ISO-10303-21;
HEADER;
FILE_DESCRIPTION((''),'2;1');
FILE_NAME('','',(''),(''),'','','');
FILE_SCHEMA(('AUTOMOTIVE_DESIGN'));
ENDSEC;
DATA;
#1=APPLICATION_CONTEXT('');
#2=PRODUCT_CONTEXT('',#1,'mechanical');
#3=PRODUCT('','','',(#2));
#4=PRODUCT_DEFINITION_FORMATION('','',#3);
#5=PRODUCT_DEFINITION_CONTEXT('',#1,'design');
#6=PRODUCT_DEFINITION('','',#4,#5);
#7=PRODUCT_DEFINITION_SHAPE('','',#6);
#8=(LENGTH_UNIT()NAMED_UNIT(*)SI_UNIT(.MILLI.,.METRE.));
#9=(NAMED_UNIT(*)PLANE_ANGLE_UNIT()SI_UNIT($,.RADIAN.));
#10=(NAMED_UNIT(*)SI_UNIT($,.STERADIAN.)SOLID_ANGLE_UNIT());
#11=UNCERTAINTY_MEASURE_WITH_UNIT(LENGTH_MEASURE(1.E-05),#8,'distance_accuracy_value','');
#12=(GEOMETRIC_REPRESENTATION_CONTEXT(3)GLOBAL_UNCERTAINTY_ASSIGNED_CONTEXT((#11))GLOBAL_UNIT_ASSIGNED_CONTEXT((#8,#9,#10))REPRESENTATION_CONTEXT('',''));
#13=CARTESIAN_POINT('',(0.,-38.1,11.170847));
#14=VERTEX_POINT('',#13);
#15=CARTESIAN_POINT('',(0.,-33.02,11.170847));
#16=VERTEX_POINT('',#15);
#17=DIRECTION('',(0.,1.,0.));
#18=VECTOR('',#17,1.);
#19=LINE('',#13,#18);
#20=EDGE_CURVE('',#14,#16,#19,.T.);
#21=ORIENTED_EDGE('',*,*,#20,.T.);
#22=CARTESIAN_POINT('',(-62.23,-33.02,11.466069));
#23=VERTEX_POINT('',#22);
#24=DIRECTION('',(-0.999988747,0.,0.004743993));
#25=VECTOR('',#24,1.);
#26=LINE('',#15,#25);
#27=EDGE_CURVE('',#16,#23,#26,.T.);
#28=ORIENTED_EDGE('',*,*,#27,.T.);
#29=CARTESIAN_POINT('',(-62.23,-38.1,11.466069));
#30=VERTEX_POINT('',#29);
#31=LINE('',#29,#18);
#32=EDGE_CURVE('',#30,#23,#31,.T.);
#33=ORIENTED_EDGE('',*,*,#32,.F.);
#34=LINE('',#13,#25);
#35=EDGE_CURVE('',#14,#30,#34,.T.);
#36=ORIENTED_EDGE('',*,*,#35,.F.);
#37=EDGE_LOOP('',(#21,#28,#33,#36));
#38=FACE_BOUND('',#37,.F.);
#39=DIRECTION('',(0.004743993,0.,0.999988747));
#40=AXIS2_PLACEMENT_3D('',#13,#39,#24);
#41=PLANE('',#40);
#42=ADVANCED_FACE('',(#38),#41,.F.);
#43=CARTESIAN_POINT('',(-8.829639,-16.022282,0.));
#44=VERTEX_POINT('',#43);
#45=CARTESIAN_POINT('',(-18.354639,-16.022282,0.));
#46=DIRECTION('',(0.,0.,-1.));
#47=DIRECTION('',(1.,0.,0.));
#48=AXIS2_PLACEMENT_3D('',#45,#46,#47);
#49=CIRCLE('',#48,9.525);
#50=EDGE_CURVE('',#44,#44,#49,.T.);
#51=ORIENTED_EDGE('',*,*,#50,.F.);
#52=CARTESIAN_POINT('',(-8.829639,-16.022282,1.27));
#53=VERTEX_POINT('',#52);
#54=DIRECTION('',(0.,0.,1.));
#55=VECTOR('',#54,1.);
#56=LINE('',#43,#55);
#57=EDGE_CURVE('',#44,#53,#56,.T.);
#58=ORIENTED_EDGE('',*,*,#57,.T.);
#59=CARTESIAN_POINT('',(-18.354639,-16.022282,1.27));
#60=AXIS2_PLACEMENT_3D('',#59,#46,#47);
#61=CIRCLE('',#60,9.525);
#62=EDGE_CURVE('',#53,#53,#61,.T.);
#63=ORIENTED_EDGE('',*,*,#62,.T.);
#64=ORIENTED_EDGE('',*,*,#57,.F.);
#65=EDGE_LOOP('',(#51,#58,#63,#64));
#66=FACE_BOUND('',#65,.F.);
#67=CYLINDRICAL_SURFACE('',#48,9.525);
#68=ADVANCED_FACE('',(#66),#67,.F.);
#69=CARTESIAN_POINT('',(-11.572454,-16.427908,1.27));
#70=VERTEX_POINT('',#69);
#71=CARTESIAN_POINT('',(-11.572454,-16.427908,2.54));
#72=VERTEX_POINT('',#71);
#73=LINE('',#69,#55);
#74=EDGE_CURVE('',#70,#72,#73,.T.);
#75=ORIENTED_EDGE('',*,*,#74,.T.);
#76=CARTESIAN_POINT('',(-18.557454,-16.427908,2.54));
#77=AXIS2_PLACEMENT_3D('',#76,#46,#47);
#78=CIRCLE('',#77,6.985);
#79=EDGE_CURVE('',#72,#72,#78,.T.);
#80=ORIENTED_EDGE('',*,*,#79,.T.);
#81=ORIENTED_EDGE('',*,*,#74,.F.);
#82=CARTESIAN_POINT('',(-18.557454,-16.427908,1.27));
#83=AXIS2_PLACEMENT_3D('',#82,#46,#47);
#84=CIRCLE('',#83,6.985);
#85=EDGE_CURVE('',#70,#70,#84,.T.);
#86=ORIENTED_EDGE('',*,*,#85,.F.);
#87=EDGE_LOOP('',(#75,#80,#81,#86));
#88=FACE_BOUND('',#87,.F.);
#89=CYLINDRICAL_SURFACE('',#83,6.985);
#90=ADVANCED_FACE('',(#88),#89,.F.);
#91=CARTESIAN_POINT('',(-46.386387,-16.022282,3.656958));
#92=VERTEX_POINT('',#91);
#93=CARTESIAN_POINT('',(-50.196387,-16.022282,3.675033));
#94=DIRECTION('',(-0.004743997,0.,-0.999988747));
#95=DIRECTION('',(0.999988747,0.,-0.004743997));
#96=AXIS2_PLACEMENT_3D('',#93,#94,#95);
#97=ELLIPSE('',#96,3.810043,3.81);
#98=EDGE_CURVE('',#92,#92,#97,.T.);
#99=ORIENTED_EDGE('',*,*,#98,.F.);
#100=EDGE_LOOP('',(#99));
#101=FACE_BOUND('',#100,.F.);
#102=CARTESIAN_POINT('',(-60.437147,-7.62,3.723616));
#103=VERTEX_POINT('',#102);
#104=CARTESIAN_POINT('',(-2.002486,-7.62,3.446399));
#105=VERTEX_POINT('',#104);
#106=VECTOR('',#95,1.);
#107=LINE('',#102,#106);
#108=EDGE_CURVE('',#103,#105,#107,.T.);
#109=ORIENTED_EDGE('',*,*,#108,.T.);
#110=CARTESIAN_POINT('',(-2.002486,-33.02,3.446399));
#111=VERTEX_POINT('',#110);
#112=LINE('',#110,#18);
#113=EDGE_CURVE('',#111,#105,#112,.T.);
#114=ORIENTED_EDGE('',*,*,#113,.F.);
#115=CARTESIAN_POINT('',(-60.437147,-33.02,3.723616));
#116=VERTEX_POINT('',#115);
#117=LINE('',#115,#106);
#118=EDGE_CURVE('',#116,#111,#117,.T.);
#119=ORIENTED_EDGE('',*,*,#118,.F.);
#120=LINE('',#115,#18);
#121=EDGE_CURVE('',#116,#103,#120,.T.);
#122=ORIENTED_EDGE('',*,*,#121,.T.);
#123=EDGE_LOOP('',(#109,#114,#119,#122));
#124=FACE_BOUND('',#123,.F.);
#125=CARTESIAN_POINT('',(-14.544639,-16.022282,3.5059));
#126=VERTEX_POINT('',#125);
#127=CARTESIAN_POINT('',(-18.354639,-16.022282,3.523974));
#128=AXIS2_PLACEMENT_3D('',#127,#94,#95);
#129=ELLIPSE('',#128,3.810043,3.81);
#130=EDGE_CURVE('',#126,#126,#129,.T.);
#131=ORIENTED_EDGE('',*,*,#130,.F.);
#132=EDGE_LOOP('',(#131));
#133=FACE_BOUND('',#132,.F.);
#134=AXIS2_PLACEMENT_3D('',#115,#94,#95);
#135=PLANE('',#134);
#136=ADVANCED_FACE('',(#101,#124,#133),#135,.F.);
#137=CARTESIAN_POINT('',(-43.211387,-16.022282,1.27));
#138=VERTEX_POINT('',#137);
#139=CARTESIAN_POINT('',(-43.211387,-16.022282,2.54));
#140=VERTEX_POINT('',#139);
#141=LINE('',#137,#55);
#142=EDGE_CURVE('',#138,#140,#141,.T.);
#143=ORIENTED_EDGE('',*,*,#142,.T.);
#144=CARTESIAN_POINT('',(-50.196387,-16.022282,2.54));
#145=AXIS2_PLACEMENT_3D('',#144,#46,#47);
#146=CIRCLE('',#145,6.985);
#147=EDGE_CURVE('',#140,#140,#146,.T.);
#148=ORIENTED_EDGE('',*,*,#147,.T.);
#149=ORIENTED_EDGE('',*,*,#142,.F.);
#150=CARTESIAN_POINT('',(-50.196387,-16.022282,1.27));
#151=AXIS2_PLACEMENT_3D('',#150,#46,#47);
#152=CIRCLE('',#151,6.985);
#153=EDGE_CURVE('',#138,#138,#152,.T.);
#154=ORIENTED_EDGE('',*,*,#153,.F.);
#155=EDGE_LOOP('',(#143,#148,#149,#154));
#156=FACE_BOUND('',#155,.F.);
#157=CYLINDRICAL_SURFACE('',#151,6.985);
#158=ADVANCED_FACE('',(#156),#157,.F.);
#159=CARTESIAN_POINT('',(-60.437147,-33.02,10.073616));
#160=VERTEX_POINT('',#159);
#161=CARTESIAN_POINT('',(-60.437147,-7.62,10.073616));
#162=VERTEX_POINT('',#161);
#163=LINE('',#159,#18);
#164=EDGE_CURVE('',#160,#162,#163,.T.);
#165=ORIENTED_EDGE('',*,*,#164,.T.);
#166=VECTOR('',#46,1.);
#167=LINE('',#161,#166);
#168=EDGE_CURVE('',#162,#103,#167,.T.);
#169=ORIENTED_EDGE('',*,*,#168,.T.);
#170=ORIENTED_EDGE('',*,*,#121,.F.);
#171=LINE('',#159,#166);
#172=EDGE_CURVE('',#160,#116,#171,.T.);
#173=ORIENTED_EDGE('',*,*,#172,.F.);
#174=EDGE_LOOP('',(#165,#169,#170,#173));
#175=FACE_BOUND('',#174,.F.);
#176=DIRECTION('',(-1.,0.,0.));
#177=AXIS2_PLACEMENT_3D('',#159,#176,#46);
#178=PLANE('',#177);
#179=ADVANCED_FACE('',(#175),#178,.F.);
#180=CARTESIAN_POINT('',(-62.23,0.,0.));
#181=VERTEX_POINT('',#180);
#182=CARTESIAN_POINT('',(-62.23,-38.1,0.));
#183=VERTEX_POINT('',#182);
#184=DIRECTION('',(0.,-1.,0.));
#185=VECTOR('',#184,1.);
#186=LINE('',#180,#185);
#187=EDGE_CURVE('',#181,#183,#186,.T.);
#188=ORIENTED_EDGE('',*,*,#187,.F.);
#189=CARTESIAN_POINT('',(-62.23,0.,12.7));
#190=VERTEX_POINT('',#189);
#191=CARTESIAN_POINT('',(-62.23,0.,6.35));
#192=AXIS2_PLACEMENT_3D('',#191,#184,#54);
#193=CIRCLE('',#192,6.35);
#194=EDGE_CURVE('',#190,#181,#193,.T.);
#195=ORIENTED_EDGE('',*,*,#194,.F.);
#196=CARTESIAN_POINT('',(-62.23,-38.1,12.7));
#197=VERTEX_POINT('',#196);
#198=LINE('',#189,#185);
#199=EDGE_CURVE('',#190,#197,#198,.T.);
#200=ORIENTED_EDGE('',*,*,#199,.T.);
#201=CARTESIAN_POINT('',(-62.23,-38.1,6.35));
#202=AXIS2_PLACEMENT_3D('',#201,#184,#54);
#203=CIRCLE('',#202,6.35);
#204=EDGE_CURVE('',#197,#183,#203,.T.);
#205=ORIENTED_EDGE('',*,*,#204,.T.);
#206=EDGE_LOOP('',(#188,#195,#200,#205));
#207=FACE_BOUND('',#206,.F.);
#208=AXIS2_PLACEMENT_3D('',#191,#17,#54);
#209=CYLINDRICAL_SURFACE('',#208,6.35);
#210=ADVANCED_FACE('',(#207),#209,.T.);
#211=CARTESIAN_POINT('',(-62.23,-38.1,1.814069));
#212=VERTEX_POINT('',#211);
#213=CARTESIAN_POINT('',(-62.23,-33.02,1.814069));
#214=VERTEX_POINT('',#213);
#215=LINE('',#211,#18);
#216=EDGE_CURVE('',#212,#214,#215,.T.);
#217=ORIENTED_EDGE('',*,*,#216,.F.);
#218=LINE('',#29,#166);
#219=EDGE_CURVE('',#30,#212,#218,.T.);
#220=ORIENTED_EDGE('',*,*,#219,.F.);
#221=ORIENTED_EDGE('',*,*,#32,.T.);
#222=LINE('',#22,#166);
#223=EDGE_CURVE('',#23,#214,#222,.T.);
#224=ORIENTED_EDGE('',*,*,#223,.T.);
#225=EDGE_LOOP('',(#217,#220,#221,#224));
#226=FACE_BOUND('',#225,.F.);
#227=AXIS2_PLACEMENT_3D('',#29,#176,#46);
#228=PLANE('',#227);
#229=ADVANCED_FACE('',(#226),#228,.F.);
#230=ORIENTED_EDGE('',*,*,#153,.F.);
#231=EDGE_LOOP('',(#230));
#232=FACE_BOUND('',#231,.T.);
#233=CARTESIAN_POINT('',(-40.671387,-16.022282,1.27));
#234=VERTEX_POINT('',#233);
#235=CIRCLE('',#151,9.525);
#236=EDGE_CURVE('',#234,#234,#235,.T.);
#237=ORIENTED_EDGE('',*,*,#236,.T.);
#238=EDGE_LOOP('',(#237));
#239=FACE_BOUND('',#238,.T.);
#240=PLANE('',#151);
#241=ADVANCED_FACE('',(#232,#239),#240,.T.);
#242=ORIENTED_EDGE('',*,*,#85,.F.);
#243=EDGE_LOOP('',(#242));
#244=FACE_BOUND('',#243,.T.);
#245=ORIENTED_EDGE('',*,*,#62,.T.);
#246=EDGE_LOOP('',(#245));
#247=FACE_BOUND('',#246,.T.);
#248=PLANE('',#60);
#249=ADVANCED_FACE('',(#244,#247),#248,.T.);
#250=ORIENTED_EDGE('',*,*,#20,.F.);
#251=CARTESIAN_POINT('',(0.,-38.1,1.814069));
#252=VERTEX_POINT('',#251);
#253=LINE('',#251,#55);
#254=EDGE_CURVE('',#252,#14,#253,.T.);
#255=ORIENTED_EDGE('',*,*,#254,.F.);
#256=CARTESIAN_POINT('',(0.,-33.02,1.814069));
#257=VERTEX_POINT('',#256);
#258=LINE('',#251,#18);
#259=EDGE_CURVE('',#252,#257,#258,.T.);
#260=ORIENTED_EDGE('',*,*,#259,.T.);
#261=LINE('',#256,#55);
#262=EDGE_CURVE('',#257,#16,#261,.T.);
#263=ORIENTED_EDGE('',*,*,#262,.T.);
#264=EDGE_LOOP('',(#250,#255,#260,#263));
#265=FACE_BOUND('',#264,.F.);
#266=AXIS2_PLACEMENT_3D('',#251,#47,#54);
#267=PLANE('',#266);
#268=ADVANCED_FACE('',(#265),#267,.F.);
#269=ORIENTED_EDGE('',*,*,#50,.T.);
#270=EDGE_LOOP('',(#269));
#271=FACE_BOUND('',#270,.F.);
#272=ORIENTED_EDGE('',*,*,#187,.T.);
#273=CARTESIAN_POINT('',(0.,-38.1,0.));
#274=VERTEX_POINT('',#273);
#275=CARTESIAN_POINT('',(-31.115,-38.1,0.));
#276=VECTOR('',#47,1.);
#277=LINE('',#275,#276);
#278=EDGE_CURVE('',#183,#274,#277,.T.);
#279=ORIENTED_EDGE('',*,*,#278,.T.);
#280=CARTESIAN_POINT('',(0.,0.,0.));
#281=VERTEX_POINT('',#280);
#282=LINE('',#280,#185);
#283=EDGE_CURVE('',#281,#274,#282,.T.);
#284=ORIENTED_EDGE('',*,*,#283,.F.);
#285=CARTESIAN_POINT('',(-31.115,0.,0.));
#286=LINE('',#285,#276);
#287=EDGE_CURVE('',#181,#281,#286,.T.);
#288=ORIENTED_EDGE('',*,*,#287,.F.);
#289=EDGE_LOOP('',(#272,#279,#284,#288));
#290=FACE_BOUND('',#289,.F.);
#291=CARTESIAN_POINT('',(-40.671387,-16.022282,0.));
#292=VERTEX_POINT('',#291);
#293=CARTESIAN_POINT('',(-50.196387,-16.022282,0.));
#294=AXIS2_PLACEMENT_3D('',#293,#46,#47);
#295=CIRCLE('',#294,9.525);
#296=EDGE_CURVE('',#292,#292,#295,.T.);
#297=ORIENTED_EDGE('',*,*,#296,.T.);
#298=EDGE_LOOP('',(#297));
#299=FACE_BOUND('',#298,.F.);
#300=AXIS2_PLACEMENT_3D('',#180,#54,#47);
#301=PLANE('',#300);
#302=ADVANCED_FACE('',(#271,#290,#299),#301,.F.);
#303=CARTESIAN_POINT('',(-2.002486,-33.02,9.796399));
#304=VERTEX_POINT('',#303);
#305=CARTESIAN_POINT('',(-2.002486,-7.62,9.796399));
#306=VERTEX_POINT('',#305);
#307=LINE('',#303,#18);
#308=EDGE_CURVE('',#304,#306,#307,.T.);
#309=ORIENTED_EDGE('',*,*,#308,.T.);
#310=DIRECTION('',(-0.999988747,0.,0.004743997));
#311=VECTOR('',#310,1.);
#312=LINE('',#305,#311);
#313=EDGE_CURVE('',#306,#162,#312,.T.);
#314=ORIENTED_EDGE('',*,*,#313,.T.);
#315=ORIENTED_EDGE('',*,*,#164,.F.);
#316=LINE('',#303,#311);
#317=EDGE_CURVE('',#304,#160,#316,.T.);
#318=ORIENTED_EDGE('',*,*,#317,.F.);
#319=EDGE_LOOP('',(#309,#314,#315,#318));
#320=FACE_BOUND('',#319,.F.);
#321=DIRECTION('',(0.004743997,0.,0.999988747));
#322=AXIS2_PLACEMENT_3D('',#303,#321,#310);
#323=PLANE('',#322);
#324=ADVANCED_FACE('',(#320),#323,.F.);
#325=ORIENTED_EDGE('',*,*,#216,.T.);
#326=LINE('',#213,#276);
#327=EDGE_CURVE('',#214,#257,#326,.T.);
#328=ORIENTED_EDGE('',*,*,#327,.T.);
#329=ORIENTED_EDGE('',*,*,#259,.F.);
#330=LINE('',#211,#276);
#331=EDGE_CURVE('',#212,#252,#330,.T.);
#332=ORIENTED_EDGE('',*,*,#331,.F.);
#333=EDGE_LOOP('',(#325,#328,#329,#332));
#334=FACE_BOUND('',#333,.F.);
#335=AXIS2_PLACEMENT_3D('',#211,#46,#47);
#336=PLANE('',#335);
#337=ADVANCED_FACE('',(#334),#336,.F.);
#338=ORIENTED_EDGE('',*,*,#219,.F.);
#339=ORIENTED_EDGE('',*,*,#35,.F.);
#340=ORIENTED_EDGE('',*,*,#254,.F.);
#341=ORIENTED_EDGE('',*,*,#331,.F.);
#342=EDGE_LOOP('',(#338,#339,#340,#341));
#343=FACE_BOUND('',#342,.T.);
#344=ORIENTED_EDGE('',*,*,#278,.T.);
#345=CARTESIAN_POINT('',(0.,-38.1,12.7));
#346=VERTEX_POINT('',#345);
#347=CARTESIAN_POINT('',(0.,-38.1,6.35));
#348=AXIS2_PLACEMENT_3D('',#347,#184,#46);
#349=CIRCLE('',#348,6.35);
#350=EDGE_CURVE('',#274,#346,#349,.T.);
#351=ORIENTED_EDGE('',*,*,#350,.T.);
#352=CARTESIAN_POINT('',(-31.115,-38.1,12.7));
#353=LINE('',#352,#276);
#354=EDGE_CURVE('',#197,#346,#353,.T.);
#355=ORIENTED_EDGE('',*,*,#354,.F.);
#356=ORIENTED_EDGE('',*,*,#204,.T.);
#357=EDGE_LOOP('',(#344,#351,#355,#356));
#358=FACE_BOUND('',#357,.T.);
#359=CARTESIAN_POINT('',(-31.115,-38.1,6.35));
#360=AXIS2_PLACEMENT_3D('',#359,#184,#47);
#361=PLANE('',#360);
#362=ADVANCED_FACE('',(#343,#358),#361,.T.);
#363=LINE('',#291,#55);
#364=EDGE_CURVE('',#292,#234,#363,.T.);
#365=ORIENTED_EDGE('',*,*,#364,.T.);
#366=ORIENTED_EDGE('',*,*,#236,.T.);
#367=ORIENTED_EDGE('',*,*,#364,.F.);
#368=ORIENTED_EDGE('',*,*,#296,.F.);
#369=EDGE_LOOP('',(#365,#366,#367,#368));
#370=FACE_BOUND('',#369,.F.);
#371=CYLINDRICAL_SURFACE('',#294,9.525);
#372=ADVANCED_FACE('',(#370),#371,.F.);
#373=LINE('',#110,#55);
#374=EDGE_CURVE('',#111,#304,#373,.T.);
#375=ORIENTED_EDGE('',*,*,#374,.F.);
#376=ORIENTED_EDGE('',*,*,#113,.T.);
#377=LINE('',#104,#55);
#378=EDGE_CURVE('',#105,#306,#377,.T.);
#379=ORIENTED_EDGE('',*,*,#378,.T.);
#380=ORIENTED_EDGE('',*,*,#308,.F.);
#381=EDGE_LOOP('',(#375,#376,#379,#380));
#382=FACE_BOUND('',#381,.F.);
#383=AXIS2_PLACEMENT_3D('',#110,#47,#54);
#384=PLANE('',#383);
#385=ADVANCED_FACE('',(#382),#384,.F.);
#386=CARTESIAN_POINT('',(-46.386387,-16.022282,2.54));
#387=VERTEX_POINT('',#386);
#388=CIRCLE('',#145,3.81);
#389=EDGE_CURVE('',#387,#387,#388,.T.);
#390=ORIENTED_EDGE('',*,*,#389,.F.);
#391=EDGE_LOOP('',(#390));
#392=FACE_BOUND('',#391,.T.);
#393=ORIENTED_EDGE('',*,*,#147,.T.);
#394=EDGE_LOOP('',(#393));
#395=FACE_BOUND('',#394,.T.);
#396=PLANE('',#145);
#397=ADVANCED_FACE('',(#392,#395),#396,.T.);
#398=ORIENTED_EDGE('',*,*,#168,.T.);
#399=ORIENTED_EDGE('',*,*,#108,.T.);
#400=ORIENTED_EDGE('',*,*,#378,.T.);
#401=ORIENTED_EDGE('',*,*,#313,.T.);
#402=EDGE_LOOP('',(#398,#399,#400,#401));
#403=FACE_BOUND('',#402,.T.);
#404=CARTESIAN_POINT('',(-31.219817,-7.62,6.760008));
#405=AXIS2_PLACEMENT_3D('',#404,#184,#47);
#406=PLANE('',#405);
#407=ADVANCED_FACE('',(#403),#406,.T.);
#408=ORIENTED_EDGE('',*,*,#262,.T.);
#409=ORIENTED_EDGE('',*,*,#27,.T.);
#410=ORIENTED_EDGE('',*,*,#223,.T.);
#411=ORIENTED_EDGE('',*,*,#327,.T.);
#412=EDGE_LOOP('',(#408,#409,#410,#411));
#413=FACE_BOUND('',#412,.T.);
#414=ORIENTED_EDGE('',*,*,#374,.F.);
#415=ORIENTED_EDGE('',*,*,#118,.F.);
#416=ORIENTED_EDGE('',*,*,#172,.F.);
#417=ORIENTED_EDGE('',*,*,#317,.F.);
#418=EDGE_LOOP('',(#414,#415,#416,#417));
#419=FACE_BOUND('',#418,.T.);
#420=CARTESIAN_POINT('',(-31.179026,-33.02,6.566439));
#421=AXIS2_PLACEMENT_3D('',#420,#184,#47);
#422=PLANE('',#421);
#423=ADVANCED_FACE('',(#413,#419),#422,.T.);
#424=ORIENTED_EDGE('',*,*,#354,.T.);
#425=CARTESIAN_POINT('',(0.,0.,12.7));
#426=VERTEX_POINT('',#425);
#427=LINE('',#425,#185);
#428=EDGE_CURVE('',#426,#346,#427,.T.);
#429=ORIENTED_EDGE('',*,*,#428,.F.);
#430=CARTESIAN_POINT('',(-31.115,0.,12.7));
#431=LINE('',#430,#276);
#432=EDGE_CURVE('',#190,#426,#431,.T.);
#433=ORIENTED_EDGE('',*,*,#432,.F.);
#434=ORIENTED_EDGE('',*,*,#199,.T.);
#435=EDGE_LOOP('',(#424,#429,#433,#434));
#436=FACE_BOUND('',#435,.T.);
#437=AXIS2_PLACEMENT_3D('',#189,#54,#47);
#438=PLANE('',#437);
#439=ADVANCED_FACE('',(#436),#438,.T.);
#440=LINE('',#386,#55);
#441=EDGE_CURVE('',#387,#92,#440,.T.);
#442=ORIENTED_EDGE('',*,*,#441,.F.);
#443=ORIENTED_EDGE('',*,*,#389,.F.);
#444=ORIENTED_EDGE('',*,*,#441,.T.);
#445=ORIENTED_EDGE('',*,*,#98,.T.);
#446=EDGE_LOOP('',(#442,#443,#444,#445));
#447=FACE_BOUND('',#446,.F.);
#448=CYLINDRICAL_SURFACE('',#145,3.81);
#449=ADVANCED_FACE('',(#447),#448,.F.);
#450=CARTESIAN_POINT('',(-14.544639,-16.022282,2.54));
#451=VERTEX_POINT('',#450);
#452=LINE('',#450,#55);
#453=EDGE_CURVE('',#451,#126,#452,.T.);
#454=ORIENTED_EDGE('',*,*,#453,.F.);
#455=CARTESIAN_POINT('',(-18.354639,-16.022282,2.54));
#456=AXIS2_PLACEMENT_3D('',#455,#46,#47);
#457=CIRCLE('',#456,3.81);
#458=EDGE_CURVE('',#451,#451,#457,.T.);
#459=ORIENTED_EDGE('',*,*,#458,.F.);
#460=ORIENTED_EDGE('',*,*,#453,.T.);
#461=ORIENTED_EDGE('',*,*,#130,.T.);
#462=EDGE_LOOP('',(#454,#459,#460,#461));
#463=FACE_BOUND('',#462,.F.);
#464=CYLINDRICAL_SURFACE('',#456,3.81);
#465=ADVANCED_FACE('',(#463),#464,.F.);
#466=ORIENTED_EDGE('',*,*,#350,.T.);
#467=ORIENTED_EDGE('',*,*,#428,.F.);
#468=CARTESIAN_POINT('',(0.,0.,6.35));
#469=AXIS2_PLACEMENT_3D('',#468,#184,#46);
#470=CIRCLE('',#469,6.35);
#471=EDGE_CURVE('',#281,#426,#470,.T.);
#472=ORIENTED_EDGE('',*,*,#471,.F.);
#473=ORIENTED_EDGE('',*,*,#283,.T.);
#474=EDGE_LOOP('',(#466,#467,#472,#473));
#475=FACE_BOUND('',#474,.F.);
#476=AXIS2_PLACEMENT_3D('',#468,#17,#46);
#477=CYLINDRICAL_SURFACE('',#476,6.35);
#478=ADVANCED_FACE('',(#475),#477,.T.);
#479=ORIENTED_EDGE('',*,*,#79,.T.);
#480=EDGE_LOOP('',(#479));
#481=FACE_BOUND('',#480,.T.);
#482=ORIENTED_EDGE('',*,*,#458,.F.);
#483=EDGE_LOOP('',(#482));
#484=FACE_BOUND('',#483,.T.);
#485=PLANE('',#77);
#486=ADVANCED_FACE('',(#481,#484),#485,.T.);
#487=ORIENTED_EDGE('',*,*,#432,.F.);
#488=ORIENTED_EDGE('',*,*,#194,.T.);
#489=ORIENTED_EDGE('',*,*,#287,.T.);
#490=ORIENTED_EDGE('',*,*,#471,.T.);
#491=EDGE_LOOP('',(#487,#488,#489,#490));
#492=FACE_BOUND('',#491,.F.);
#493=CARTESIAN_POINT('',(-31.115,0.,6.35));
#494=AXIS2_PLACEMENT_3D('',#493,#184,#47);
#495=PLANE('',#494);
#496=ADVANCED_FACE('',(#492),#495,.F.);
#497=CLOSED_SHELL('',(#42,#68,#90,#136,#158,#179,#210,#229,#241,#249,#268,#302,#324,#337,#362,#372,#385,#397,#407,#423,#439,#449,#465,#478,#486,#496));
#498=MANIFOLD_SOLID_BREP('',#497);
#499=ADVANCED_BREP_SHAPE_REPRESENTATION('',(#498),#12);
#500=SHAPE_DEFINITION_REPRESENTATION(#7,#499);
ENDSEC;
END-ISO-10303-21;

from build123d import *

# Parameters (mm, degrees)
F0_W      = 62.23
F0_H      = 12.7
F1_DEPTH  = 38.1
F3_DEPTH  = 5.08
F5_DEPTH  = 25.4
F6_R      = 9.525
F7_DEPTH  = 1.27
F8_R      = 6.985
F9_DEPTH  = 1.27
F10_R     = 3.81
F11_DEPTH = 1.27


with BuildPart() as f1:
    # F0 (on Front) → F1 (new body)
    with BuildSketch(Plane.XZ):
        with Locations((-31.115, 6.35)):
            Rectangle(F0_W, F0_H)
        with BuildLine():
            Line((0, 12.7), (0, 0))
            ThreePointArc((0, 0), (6.35, 6.35), (0, 12.7))
        make_face()
        with BuildLine():
            ThreePointArc((-62.23, 12.7), (-68.58, 6.35), (-62.23, 0))
            Line((-62.23, 0), (-62.23, 12.7))
        make_face()
    extrude(amount=F1_DEPTH)

    # F2 (on face) → F3 (cut)
    with BuildSketch(Plane.XZ.offset(38.1)):
        Polygon((-62.23, 1.814069), (0, 1.814069), (0, 11.170847), (-62.23, 11.466069), align=None)
    extrude(amount=-F3_DEPTH, mode=Mode.SUBTRACT)

    # F4 (on face) → F5 (cut)
    with BuildSketch(Plane.XZ.offset(33.02)):
        Polygon((-60.437147, 10.073616), (-60.437147, 3.723616), (-2.002486, 3.446399), (-2.002486, 9.796399), align=None)
    extrude(amount=-F5_DEPTH, mode=Mode.SUBTRACT)

    # F6 (on face) → F7 (cut)
    with BuildSketch(Plane(origin=(0, 0, 0), x_dir=(1, 0, 0), z_dir=(0, 0, -1))):
        with Locations((-50.196387, 16.022282)):
            Circle(F6_R)
        with Locations((-18.354639, 16.022282)):
            Circle(F6_R)
    extrude(amount=-F7_DEPTH, mode=Mode.SUBTRACT)

    # F8 (on face) → F9 (cut)
    with BuildSketch(Plane(origin=(0, 0, 1.27), x_dir=(1, 0, 0), z_dir=(0, 0, -1))):
        with Locations((-50.196387, 16.022282)):
            Circle(F8_R)
        with Locations((-18.557454, 16.427908)):
            Circle(F8_R)
    extrude(amount=-F9_DEPTH, mode=Mode.SUBTRACT)

    # F10 (on face) → F11 (cut)
    with BuildSketch(Plane(origin=(0, 0, 2.54), x_dir=(1, 0, 0), z_dir=(0, 0, -1))):
        with Locations((-50.196387, 16.022282)):
            Circle(F10_R)
        with Locations((-18.354639, 16.022282)):
            Circle(F10_R)
    extrude(amount=-F11_DEPTH, mode=Mode.SUBTRACT)


solid = f1.part
